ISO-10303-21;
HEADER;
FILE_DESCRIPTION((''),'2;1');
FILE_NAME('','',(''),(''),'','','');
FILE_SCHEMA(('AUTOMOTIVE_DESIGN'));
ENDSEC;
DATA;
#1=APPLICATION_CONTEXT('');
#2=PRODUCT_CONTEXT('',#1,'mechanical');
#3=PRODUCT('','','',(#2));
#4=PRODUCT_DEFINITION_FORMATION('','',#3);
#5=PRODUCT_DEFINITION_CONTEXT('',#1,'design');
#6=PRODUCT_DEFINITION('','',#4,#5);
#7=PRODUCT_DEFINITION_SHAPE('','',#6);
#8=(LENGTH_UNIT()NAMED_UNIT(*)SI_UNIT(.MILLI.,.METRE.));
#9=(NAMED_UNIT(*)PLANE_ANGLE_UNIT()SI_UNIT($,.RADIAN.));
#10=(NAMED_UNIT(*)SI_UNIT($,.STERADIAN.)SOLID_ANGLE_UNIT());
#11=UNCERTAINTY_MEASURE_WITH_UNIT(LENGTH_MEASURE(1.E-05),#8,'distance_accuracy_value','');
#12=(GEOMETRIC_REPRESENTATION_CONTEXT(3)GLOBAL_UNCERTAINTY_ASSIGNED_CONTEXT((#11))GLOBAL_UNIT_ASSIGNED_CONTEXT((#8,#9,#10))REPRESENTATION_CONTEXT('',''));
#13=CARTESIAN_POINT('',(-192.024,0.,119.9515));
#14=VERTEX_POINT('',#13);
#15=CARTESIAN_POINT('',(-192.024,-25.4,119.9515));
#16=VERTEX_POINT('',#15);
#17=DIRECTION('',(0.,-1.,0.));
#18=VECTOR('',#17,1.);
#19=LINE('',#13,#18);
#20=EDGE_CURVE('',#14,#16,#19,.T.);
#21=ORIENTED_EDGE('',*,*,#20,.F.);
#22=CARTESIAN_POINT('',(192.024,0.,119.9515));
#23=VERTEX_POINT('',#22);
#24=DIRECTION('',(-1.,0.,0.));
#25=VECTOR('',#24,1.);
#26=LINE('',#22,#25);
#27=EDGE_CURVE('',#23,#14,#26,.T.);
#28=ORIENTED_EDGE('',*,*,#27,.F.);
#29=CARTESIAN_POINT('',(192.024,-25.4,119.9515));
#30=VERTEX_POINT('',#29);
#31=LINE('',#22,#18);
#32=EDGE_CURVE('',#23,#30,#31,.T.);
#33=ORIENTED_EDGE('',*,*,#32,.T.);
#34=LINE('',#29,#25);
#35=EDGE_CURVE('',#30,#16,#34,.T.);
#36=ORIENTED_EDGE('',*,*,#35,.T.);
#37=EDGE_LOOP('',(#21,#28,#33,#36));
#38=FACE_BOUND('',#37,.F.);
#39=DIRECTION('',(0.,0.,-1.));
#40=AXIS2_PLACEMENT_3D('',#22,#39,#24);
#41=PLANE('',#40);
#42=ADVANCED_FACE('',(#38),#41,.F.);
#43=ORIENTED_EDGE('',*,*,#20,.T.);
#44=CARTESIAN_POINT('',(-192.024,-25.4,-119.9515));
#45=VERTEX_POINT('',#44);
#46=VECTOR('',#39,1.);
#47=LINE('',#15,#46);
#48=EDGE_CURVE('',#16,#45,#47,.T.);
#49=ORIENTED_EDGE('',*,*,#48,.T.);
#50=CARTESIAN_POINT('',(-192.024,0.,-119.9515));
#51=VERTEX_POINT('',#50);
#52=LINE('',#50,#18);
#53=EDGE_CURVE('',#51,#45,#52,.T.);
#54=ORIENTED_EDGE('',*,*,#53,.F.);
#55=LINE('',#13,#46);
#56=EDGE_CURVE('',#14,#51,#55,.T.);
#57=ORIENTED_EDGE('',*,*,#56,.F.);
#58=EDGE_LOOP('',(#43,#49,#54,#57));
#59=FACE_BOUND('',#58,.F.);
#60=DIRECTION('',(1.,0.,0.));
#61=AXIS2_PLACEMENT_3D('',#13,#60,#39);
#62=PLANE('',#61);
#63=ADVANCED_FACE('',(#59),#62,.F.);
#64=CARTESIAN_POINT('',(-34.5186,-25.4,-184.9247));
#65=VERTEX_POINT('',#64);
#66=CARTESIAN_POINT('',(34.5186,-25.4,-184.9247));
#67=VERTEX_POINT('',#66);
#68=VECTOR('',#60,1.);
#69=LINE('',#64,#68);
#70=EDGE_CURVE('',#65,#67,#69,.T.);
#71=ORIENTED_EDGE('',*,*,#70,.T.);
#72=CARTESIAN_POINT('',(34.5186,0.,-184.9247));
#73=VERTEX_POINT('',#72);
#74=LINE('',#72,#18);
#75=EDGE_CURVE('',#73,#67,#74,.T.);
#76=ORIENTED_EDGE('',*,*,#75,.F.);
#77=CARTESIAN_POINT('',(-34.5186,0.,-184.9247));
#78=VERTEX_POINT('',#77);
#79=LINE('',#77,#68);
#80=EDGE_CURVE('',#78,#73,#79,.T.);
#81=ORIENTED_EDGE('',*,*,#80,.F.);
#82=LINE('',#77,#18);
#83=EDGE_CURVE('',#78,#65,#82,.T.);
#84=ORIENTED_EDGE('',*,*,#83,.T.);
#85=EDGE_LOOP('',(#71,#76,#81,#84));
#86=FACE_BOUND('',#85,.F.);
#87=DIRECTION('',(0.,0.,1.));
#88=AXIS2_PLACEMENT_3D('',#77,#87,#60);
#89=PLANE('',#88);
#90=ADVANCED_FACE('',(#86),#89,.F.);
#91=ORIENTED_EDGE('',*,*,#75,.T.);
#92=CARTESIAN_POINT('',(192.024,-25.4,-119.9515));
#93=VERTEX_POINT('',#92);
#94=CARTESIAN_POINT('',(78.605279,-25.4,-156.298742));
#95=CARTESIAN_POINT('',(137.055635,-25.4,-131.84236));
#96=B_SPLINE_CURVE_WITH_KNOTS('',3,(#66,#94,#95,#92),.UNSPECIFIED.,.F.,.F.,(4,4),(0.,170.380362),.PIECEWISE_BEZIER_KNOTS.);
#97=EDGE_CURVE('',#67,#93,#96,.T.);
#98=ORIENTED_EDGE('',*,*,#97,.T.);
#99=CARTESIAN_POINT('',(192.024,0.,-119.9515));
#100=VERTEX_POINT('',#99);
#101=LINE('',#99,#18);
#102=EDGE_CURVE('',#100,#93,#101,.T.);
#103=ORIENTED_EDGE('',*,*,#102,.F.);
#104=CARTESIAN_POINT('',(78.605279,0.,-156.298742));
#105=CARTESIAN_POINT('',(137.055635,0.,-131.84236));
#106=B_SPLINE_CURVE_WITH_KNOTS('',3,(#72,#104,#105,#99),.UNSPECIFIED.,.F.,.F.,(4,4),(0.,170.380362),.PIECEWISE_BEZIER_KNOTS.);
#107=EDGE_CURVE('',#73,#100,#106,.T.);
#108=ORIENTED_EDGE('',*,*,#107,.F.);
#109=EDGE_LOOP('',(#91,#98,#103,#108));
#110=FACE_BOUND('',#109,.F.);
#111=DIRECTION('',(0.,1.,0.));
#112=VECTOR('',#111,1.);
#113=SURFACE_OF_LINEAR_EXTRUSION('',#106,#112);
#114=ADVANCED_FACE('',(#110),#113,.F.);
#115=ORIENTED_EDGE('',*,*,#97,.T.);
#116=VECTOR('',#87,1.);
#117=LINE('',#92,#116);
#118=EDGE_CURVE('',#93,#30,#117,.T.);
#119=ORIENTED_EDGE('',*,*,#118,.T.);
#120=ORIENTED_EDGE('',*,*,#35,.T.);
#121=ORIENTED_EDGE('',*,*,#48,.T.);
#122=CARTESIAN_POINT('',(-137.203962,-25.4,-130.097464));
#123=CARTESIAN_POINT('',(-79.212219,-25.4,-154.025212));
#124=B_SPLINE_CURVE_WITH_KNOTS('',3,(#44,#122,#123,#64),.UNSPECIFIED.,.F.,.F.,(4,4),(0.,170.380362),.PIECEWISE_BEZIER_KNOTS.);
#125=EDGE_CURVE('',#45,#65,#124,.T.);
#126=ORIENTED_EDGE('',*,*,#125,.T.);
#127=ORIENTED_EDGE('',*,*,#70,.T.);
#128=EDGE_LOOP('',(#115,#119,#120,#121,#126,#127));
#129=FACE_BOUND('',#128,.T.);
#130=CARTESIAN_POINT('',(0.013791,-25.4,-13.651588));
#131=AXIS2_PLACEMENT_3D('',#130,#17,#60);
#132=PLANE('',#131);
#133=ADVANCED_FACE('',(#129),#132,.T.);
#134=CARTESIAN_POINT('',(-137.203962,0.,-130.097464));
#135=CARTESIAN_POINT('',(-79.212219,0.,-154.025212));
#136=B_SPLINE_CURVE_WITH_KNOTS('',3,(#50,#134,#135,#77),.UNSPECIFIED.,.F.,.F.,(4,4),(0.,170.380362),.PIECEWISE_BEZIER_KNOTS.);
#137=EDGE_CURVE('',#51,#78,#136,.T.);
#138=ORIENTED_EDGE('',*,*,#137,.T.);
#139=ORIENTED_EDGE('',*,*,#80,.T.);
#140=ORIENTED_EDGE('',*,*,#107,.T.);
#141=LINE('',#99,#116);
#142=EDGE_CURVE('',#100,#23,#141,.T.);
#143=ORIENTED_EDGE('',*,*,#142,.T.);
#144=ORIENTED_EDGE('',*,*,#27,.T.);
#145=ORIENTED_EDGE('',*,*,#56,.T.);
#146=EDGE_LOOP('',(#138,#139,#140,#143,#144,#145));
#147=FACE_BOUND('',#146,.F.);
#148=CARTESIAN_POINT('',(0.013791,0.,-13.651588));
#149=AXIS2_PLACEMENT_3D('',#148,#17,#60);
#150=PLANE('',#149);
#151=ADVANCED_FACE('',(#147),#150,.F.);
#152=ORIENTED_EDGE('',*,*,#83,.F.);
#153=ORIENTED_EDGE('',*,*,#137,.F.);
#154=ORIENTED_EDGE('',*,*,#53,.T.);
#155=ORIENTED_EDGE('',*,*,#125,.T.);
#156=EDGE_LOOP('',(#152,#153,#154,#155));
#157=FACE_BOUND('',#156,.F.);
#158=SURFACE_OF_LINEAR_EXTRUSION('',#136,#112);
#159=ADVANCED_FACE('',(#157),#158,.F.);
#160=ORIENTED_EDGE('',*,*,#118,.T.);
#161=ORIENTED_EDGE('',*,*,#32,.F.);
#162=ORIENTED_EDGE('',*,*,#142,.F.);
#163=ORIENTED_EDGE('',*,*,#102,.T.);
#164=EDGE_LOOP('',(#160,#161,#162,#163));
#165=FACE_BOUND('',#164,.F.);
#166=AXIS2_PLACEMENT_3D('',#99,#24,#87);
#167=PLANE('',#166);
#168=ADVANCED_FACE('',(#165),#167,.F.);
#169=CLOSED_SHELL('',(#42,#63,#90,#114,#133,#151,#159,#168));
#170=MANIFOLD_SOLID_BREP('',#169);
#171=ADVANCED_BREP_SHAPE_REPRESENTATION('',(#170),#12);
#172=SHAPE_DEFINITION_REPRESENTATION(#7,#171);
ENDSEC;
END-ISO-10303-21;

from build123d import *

# Parameters (mm, degrees)
F1_DEPTH = 25.4


with BuildPart() as f1:
    # F0 (on Front) → F1 (new body)
    with BuildSketch(Plane.XZ):
        with BuildLine():
            Line((192.024, 119.9515), (-192.024, 119.9515))
            Line((-192.024, 119.9515), (-192.024, -119.9515))
            add(Edge.make_bspline(
                [(-192.024, -119.9515), (-137.203962, -130.097464), (-79.212219, -154.025212), (-34.5186, -184.9247)],
                knots=[0, 0, 0, 0, 170.380362, 170.380362, 170.380362, 170.380362], degree=3))
            Line((-34.5186, -184.9247), (34.5186, -184.9247))
            add(Edge.make_bspline(
                [(34.5186, -184.9247), (78.605279, -156.298742), (137.055635, -131.84236), (192.024, -119.9515)],
                knots=[0, 0, 0, 0, 170.380362, 170.380362, 170.380362, 170.380362], degree=3))
            Line((192.024, -119.9515), (192.024, 119.9515))
        make_face()
    extrude(amount=F1_DEPTH)


solid = f1.part
